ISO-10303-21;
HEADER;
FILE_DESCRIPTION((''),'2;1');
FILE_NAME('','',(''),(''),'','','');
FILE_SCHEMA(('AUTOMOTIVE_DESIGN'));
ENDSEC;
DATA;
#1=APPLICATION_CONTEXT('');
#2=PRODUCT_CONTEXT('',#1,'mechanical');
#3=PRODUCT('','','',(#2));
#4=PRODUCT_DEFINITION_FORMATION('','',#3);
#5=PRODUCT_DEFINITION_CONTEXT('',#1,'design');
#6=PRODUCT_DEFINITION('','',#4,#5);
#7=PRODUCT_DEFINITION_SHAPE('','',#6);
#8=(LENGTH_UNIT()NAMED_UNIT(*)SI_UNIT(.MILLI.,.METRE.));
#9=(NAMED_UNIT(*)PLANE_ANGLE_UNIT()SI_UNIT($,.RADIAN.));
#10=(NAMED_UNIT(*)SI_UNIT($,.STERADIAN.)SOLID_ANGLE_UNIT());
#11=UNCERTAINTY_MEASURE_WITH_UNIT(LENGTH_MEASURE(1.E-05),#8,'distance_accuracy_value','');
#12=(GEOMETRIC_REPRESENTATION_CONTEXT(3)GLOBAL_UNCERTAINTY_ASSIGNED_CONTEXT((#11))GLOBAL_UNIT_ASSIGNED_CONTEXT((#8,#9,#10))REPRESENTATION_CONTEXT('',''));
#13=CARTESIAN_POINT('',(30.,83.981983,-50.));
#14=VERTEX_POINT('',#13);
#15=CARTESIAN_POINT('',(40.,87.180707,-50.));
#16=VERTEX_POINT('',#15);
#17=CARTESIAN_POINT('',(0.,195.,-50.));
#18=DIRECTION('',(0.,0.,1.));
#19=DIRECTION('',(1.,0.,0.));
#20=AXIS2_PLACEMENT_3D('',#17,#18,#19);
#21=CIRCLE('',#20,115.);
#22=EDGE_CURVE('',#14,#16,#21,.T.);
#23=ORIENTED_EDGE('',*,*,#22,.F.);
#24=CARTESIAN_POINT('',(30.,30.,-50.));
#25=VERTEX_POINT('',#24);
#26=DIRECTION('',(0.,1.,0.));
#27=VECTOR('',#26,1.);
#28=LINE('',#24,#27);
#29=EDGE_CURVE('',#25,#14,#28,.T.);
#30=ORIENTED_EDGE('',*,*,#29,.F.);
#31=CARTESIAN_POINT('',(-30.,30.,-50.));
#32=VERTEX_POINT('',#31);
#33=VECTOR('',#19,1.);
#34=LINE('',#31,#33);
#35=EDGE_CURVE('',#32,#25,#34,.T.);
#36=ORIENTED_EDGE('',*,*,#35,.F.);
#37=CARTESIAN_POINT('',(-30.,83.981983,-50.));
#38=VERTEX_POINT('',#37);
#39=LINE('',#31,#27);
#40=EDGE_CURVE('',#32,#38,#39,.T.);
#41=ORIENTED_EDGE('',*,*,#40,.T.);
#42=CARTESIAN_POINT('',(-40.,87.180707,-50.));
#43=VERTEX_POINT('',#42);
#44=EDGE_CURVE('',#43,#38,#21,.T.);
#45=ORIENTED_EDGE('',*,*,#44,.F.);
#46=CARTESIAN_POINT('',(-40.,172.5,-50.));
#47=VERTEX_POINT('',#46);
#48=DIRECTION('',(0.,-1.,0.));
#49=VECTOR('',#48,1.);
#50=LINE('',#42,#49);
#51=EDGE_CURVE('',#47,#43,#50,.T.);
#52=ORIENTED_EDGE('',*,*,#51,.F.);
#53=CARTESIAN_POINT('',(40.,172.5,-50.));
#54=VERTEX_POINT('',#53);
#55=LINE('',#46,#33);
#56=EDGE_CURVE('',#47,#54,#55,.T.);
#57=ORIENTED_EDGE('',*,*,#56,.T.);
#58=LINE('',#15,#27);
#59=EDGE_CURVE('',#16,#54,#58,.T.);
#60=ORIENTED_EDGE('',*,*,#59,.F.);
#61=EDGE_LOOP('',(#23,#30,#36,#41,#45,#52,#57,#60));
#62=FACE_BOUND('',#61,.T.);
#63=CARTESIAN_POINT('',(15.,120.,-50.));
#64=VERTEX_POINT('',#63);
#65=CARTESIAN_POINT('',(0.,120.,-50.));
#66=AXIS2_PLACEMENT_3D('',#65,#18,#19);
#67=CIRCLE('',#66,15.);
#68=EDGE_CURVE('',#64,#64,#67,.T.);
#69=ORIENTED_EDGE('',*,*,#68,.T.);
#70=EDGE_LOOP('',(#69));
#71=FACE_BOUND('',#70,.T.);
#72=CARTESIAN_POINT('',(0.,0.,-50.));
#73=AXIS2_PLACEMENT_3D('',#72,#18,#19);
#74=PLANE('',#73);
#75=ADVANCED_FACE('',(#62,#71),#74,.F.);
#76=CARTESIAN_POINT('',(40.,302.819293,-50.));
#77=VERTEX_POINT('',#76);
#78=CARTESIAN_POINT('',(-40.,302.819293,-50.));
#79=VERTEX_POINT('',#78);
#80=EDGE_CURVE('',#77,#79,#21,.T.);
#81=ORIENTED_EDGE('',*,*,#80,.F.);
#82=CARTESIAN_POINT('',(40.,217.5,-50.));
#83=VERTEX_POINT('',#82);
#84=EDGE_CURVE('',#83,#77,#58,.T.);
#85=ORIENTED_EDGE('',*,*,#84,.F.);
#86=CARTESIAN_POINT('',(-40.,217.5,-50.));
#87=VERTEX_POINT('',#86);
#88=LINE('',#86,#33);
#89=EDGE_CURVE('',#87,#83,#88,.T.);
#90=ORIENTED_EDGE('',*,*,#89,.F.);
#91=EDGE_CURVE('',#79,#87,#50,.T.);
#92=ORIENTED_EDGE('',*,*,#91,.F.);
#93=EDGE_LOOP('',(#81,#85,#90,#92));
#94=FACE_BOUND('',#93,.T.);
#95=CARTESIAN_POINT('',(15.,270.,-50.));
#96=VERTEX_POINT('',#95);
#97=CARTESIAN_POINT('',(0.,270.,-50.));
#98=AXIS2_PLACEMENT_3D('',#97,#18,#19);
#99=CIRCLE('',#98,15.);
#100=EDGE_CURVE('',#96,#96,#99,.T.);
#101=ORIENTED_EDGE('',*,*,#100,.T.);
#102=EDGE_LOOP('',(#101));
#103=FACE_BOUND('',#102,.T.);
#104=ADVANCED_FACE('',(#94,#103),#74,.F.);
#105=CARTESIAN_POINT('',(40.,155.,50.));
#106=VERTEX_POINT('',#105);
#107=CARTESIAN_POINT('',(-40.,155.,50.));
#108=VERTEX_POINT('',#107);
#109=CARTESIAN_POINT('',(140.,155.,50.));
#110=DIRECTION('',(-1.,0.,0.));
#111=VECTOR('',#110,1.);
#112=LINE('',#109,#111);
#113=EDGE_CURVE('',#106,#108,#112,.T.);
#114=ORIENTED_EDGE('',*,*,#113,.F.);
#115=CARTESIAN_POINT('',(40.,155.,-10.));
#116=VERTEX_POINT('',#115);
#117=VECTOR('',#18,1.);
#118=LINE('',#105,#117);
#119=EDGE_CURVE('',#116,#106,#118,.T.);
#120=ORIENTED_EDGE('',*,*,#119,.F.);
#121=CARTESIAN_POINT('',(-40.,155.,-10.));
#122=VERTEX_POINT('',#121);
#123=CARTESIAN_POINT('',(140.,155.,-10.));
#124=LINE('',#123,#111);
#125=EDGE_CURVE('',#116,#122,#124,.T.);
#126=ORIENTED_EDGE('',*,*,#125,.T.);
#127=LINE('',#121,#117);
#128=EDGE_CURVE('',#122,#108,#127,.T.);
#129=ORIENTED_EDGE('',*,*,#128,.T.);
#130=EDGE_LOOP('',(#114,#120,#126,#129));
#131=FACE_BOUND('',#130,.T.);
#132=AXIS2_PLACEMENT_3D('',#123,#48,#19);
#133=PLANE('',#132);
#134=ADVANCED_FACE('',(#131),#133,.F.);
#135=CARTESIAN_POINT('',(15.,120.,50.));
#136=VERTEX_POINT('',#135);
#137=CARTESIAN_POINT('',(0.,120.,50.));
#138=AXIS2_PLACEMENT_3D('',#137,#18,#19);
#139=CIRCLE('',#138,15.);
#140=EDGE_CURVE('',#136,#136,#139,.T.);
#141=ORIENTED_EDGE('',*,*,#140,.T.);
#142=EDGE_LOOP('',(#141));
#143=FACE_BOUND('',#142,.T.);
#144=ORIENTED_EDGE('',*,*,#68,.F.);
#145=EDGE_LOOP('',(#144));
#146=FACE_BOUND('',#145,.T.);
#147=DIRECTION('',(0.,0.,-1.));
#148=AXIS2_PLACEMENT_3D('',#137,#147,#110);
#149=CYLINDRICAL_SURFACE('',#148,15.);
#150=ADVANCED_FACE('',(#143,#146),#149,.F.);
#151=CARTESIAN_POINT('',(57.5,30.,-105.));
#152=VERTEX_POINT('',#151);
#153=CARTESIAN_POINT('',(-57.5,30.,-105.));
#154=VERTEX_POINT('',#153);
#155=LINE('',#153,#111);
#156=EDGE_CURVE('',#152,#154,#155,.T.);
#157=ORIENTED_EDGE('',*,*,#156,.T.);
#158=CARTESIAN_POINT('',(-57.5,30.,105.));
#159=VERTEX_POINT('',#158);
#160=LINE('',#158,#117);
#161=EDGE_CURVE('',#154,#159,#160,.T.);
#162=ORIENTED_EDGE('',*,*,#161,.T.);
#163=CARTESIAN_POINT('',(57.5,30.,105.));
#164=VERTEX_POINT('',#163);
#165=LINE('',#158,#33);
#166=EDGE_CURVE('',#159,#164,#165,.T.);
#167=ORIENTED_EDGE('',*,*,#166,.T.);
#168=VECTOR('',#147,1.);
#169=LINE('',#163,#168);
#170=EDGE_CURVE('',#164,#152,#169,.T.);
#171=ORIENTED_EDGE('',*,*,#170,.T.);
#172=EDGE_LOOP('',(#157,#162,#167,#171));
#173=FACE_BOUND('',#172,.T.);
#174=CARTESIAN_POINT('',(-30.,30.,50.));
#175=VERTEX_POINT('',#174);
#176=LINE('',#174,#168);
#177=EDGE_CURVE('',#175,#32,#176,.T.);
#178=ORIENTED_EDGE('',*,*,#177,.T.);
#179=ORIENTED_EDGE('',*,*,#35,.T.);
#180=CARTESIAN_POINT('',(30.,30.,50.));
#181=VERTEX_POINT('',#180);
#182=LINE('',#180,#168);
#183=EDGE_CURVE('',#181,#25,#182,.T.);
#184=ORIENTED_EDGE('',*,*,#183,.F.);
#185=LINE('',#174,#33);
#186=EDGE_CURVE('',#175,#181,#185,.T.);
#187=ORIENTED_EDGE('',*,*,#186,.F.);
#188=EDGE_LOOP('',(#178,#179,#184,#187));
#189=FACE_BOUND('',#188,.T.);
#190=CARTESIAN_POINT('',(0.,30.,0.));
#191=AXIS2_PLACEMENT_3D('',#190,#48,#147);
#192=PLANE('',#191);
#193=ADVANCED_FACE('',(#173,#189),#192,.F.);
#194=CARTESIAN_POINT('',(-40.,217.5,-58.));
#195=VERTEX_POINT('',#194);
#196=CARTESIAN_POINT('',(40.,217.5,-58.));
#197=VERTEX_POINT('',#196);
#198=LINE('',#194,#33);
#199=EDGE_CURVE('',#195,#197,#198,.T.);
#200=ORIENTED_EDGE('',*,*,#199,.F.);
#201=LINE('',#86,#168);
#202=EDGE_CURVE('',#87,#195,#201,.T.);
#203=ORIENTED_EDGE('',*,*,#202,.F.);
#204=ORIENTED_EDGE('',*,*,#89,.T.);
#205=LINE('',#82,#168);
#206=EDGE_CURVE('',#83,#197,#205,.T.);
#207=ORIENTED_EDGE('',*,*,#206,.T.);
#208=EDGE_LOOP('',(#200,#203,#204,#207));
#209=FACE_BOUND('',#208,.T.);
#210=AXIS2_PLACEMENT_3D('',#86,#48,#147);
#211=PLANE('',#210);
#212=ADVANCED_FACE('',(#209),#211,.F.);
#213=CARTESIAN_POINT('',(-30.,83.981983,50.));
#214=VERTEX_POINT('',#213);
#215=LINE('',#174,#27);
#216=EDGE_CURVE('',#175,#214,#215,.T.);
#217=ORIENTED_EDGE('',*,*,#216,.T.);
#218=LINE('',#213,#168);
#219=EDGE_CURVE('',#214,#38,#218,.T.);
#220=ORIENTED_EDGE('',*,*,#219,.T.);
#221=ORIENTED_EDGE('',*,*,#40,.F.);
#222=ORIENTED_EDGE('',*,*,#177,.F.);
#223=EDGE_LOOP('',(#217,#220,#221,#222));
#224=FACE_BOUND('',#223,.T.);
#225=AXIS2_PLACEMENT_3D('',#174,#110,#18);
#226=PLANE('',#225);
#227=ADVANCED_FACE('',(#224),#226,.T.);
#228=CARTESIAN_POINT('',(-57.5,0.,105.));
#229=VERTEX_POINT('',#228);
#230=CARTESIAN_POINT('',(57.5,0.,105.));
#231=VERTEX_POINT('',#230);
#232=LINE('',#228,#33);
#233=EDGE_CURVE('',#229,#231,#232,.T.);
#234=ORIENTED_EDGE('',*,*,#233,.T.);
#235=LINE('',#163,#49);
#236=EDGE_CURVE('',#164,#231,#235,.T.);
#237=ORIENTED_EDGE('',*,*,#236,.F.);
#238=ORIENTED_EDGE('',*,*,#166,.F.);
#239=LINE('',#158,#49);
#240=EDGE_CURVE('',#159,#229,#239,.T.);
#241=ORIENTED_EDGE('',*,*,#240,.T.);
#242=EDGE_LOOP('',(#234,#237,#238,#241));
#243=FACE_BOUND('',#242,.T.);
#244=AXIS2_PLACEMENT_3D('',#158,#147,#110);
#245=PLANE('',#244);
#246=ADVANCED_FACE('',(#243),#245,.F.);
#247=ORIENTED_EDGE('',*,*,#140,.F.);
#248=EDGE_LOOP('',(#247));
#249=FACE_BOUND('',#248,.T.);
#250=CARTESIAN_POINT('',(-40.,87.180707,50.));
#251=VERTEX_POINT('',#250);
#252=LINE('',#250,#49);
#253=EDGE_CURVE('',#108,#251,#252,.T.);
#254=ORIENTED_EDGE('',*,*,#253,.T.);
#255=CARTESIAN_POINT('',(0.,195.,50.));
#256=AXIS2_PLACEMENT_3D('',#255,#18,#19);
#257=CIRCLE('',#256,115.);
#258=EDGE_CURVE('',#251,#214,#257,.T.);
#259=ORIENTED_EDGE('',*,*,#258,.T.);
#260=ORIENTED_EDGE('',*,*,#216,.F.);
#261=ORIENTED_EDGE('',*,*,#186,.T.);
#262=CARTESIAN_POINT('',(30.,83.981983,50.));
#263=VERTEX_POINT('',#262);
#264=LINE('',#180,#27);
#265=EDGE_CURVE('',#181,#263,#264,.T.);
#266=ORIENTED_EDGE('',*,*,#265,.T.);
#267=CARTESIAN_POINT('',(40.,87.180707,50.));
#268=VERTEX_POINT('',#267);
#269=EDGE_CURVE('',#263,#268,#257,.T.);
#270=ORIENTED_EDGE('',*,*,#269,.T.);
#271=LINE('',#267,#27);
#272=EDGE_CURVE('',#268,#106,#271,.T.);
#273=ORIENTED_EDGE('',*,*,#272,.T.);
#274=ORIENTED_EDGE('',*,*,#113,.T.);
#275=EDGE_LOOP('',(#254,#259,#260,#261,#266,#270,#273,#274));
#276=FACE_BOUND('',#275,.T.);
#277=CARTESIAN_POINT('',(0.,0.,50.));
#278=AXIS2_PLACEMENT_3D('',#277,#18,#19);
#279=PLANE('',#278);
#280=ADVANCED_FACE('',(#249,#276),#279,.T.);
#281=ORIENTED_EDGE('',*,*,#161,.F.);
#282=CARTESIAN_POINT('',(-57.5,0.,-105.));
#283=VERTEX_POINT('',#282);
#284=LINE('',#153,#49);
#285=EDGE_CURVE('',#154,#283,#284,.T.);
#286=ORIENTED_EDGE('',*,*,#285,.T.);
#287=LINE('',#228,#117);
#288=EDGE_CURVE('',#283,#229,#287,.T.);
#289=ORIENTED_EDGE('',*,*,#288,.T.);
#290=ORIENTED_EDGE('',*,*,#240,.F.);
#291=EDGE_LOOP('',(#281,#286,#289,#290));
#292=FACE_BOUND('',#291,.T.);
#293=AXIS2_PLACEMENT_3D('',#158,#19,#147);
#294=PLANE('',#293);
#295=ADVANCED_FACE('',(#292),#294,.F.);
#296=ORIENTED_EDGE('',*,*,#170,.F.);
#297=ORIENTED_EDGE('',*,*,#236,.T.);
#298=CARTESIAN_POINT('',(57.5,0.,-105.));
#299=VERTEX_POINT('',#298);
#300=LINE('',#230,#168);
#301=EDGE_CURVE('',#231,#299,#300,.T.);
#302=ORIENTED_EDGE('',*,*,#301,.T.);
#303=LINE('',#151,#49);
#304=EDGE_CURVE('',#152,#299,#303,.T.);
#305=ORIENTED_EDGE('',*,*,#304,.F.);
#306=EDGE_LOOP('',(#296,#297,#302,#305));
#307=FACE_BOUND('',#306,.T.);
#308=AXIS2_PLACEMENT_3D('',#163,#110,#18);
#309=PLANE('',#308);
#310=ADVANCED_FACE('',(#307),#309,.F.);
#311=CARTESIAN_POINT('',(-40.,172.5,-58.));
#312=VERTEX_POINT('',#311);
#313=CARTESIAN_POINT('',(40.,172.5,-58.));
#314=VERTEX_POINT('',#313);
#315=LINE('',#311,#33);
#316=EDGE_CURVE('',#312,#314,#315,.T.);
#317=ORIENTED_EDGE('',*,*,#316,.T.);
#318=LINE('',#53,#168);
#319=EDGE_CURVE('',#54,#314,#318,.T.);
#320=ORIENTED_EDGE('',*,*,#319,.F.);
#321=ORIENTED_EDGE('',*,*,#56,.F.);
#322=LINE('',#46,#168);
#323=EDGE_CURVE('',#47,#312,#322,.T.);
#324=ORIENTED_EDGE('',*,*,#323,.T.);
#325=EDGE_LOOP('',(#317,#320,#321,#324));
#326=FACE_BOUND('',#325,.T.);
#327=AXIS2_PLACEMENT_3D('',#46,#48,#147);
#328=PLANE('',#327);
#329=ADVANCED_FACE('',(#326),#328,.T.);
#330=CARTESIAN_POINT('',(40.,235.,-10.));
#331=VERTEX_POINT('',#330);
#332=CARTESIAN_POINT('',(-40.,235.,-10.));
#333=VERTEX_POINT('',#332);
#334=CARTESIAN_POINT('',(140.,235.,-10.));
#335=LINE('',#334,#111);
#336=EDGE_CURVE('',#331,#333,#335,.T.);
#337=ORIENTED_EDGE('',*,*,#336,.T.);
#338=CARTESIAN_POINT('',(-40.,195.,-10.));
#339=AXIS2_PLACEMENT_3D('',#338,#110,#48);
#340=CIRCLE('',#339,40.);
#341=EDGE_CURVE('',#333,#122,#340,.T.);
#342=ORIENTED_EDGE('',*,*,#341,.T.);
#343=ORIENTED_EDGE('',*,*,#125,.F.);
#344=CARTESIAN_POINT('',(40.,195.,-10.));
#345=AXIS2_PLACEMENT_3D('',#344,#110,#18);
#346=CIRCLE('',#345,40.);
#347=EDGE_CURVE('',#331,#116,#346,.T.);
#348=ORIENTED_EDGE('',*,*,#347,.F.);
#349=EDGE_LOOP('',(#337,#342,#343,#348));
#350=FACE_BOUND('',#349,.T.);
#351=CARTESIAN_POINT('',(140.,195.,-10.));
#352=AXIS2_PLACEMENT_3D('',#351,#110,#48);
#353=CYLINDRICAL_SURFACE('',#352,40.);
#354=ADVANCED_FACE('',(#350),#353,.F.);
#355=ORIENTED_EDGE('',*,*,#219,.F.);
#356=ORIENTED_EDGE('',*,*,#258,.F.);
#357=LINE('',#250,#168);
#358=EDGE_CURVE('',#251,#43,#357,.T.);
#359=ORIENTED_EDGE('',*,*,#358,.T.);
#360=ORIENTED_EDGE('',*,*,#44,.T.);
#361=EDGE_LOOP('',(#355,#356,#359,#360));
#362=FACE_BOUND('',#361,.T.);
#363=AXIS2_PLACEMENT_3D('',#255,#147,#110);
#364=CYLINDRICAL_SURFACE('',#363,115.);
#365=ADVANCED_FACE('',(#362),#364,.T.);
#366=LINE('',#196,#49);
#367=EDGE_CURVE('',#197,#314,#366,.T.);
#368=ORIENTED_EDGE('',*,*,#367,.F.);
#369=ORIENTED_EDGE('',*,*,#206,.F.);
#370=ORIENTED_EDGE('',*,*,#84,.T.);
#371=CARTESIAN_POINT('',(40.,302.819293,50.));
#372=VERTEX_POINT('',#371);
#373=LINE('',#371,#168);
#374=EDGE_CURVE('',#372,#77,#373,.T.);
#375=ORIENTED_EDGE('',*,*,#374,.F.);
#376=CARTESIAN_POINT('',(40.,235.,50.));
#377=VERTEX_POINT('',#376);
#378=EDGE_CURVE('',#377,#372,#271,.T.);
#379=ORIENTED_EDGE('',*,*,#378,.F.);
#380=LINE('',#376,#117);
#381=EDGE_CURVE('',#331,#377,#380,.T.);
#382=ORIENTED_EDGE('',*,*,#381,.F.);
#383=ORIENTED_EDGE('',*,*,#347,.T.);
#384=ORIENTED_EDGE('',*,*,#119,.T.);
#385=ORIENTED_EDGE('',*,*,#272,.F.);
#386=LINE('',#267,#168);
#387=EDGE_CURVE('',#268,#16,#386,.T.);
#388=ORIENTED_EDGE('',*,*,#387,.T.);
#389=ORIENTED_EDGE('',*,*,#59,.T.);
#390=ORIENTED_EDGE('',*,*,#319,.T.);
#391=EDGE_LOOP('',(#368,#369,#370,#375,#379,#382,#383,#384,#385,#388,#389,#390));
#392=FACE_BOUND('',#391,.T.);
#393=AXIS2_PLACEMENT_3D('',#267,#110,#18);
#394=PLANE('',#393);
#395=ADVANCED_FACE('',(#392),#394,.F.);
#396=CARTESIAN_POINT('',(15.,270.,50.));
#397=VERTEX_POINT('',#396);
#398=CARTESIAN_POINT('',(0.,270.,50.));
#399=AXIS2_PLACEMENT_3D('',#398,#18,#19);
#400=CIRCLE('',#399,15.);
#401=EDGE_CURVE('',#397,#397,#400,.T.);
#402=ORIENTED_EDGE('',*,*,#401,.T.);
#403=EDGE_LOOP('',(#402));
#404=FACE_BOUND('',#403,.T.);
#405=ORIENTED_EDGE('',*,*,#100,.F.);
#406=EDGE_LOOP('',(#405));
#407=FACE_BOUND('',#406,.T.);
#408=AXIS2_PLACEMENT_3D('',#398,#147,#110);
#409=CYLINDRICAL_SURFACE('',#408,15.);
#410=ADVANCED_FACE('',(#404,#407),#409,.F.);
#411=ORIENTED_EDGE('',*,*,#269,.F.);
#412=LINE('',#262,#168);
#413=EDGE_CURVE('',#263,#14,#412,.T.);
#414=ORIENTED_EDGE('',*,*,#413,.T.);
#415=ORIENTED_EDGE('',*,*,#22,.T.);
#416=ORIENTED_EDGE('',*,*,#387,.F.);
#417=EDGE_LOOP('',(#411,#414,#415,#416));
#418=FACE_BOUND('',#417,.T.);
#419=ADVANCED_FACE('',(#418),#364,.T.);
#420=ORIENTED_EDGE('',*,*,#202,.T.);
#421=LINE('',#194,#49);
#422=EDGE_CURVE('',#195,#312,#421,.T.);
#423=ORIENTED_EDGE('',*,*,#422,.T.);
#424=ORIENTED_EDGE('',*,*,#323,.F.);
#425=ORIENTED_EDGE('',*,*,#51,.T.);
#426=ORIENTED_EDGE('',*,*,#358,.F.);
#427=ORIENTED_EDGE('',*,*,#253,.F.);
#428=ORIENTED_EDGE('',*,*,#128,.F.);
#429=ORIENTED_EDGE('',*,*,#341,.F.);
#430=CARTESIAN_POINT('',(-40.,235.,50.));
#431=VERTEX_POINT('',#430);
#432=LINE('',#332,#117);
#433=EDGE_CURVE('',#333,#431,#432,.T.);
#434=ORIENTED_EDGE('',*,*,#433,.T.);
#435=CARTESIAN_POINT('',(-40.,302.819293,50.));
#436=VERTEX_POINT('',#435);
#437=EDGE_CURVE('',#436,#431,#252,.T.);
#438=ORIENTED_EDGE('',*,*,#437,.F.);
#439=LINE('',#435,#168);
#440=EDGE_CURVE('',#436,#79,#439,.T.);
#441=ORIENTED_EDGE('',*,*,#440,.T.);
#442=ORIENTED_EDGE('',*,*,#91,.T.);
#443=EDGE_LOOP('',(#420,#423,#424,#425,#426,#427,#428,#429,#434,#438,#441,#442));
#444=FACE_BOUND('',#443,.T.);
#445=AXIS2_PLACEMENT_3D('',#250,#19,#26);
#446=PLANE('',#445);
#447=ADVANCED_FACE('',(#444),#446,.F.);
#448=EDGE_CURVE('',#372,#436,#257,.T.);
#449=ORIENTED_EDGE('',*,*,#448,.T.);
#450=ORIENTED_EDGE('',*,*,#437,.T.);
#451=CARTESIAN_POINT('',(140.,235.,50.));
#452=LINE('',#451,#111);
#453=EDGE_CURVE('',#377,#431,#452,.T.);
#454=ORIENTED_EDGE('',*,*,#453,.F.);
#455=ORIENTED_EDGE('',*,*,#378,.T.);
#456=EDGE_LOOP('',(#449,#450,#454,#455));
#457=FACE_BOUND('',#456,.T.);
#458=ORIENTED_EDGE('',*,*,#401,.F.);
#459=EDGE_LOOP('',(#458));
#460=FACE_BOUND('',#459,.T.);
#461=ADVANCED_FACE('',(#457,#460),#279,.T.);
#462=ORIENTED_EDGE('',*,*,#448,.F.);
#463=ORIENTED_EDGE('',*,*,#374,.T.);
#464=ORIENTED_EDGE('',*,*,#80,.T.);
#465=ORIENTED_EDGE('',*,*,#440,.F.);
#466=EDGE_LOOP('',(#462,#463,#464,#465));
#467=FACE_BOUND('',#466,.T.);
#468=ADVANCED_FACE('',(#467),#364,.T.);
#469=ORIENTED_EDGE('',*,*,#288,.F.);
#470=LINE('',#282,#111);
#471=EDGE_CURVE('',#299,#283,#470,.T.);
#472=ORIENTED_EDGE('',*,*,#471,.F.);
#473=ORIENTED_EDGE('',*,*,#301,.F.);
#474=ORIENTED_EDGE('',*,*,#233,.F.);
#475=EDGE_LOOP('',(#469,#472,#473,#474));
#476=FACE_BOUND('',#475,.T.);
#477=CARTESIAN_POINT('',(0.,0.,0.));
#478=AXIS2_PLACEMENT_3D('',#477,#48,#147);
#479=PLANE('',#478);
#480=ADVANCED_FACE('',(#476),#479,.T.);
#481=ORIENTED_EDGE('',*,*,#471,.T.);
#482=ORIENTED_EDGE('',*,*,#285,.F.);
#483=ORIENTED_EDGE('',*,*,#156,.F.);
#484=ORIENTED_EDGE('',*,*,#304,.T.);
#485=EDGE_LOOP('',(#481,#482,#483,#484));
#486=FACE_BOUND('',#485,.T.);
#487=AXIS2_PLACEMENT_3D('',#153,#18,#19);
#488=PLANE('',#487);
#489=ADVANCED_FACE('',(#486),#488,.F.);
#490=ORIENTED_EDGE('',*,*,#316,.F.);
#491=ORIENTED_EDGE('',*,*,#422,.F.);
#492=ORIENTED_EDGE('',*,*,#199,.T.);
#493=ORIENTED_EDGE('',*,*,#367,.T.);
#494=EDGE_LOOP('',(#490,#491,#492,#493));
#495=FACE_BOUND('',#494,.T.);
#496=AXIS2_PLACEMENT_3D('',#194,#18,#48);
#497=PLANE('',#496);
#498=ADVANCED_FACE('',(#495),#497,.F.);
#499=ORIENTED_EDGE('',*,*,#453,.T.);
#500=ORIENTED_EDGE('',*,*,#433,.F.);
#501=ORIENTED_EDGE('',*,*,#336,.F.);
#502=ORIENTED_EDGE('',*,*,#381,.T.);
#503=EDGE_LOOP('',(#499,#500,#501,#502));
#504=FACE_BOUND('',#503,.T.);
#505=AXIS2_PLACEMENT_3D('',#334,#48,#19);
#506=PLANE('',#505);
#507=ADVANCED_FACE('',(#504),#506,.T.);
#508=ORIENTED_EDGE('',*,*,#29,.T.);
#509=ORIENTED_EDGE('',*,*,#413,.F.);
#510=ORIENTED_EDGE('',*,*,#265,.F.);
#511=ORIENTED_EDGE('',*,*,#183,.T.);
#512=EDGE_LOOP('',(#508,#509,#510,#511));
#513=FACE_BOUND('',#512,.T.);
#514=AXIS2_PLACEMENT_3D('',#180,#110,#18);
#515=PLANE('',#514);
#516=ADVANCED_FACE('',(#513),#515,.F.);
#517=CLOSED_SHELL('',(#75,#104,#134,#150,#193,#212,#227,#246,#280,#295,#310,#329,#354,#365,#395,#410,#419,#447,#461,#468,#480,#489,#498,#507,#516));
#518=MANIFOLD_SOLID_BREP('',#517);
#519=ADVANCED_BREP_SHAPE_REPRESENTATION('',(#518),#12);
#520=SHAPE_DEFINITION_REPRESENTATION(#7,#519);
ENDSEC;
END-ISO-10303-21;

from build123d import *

# Parameters (mm, degrees)
SKETCH1_W           = 115
SKETCH1_H           = 210
BOSS_EXTRUDE1_DEPTH = 30
SKETCH2_W           = 60
SKETCH2_H           = 60
BOSS_EXTRUDE3_DEPTH = 50
SKETCH3_R           = 15
BOSS_EXTRUDE4_DEPTH = 50
SKETCH8_W           = 8
SKETCH8_H           = 45
BOSS_EXTRUDE7_DEPTH = 80
CUT_EXTRUDE1_DEPTH  = 180


with BuildPart() as part:
    # Sketch1 → Boss-Extrude1 (new body)
    with BuildSketch(Plane(origin=(0, 0, 0), x_dir=(1, 0, 0), z_dir=(0, 1, 0))):
        Rectangle(SKETCH1_W, SKETCH1_H)
    extrude(amount=BOSS_EXTRUDE1_DEPTH)

    # Sketch2 → Boss-Extrude3 (add, symmetric)
    with BuildSketch(Plane.XY):
        with Locations((0, 60)):
            Rectangle(SKETCH2_W, SKETCH2_H)
    extrude(amount=BOSS_EXTRUDE3_DEPTH, both=True)

    # Sketch3 → Boss-Extrude4 (add, symmetric)
    with BuildSketch(Plane.XY):
        with BuildLine():
            Line((-40, 87.180706736), (-40, 302.819293264))
            ThreePointArc((-40, 302.819293264), (0, 310), (40, 302.819293264))
            Line((40, 302.819293264), (40, 87.180706736))
            ThreePointArc((40, 87.180706736), (0, 80), (-40, 87.180706736))
        make_face()
        with Locations((0, 270)):
            Circle(SKETCH3_R, mode=Mode.SUBTRACT)
        with Locations((0, 120)):
            Circle(SKETCH3_R, mode=Mode.SUBTRACT)
    extrude(amount=BOSS_EXTRUDE4_DEPTH, both=True)

    # Sketch8 → Boss-Extrude7 (add)
    with BuildSketch(Plane(origin=(40, 0, 0), x_dir=(0, 0, -1), z_dir=(1, 0, 0))):
        with Locations((54, 195)):
            Rectangle(SKETCH8_W, SKETCH8_H)
    extrude(amount=-BOSS_EXTRUDE7_DEPTH)

    # Sketch7 → Cut-Extrude1 (cut)
    with BuildSketch(Plane.ZY.offset(40)):
        with BuildLine():
            Line((-10, 235), (50, 235))
            Line((50, 235), (50, 155))
            Line((50, 155), (-10, 155))
            ThreePointArc((-10, 155), (-50, 195), (-10, 235))
        make_face()
    extrude(amount=-CUT_EXTRUDE1_DEPTH, mode=Mode.SUBTRACT)


solid = part.part
